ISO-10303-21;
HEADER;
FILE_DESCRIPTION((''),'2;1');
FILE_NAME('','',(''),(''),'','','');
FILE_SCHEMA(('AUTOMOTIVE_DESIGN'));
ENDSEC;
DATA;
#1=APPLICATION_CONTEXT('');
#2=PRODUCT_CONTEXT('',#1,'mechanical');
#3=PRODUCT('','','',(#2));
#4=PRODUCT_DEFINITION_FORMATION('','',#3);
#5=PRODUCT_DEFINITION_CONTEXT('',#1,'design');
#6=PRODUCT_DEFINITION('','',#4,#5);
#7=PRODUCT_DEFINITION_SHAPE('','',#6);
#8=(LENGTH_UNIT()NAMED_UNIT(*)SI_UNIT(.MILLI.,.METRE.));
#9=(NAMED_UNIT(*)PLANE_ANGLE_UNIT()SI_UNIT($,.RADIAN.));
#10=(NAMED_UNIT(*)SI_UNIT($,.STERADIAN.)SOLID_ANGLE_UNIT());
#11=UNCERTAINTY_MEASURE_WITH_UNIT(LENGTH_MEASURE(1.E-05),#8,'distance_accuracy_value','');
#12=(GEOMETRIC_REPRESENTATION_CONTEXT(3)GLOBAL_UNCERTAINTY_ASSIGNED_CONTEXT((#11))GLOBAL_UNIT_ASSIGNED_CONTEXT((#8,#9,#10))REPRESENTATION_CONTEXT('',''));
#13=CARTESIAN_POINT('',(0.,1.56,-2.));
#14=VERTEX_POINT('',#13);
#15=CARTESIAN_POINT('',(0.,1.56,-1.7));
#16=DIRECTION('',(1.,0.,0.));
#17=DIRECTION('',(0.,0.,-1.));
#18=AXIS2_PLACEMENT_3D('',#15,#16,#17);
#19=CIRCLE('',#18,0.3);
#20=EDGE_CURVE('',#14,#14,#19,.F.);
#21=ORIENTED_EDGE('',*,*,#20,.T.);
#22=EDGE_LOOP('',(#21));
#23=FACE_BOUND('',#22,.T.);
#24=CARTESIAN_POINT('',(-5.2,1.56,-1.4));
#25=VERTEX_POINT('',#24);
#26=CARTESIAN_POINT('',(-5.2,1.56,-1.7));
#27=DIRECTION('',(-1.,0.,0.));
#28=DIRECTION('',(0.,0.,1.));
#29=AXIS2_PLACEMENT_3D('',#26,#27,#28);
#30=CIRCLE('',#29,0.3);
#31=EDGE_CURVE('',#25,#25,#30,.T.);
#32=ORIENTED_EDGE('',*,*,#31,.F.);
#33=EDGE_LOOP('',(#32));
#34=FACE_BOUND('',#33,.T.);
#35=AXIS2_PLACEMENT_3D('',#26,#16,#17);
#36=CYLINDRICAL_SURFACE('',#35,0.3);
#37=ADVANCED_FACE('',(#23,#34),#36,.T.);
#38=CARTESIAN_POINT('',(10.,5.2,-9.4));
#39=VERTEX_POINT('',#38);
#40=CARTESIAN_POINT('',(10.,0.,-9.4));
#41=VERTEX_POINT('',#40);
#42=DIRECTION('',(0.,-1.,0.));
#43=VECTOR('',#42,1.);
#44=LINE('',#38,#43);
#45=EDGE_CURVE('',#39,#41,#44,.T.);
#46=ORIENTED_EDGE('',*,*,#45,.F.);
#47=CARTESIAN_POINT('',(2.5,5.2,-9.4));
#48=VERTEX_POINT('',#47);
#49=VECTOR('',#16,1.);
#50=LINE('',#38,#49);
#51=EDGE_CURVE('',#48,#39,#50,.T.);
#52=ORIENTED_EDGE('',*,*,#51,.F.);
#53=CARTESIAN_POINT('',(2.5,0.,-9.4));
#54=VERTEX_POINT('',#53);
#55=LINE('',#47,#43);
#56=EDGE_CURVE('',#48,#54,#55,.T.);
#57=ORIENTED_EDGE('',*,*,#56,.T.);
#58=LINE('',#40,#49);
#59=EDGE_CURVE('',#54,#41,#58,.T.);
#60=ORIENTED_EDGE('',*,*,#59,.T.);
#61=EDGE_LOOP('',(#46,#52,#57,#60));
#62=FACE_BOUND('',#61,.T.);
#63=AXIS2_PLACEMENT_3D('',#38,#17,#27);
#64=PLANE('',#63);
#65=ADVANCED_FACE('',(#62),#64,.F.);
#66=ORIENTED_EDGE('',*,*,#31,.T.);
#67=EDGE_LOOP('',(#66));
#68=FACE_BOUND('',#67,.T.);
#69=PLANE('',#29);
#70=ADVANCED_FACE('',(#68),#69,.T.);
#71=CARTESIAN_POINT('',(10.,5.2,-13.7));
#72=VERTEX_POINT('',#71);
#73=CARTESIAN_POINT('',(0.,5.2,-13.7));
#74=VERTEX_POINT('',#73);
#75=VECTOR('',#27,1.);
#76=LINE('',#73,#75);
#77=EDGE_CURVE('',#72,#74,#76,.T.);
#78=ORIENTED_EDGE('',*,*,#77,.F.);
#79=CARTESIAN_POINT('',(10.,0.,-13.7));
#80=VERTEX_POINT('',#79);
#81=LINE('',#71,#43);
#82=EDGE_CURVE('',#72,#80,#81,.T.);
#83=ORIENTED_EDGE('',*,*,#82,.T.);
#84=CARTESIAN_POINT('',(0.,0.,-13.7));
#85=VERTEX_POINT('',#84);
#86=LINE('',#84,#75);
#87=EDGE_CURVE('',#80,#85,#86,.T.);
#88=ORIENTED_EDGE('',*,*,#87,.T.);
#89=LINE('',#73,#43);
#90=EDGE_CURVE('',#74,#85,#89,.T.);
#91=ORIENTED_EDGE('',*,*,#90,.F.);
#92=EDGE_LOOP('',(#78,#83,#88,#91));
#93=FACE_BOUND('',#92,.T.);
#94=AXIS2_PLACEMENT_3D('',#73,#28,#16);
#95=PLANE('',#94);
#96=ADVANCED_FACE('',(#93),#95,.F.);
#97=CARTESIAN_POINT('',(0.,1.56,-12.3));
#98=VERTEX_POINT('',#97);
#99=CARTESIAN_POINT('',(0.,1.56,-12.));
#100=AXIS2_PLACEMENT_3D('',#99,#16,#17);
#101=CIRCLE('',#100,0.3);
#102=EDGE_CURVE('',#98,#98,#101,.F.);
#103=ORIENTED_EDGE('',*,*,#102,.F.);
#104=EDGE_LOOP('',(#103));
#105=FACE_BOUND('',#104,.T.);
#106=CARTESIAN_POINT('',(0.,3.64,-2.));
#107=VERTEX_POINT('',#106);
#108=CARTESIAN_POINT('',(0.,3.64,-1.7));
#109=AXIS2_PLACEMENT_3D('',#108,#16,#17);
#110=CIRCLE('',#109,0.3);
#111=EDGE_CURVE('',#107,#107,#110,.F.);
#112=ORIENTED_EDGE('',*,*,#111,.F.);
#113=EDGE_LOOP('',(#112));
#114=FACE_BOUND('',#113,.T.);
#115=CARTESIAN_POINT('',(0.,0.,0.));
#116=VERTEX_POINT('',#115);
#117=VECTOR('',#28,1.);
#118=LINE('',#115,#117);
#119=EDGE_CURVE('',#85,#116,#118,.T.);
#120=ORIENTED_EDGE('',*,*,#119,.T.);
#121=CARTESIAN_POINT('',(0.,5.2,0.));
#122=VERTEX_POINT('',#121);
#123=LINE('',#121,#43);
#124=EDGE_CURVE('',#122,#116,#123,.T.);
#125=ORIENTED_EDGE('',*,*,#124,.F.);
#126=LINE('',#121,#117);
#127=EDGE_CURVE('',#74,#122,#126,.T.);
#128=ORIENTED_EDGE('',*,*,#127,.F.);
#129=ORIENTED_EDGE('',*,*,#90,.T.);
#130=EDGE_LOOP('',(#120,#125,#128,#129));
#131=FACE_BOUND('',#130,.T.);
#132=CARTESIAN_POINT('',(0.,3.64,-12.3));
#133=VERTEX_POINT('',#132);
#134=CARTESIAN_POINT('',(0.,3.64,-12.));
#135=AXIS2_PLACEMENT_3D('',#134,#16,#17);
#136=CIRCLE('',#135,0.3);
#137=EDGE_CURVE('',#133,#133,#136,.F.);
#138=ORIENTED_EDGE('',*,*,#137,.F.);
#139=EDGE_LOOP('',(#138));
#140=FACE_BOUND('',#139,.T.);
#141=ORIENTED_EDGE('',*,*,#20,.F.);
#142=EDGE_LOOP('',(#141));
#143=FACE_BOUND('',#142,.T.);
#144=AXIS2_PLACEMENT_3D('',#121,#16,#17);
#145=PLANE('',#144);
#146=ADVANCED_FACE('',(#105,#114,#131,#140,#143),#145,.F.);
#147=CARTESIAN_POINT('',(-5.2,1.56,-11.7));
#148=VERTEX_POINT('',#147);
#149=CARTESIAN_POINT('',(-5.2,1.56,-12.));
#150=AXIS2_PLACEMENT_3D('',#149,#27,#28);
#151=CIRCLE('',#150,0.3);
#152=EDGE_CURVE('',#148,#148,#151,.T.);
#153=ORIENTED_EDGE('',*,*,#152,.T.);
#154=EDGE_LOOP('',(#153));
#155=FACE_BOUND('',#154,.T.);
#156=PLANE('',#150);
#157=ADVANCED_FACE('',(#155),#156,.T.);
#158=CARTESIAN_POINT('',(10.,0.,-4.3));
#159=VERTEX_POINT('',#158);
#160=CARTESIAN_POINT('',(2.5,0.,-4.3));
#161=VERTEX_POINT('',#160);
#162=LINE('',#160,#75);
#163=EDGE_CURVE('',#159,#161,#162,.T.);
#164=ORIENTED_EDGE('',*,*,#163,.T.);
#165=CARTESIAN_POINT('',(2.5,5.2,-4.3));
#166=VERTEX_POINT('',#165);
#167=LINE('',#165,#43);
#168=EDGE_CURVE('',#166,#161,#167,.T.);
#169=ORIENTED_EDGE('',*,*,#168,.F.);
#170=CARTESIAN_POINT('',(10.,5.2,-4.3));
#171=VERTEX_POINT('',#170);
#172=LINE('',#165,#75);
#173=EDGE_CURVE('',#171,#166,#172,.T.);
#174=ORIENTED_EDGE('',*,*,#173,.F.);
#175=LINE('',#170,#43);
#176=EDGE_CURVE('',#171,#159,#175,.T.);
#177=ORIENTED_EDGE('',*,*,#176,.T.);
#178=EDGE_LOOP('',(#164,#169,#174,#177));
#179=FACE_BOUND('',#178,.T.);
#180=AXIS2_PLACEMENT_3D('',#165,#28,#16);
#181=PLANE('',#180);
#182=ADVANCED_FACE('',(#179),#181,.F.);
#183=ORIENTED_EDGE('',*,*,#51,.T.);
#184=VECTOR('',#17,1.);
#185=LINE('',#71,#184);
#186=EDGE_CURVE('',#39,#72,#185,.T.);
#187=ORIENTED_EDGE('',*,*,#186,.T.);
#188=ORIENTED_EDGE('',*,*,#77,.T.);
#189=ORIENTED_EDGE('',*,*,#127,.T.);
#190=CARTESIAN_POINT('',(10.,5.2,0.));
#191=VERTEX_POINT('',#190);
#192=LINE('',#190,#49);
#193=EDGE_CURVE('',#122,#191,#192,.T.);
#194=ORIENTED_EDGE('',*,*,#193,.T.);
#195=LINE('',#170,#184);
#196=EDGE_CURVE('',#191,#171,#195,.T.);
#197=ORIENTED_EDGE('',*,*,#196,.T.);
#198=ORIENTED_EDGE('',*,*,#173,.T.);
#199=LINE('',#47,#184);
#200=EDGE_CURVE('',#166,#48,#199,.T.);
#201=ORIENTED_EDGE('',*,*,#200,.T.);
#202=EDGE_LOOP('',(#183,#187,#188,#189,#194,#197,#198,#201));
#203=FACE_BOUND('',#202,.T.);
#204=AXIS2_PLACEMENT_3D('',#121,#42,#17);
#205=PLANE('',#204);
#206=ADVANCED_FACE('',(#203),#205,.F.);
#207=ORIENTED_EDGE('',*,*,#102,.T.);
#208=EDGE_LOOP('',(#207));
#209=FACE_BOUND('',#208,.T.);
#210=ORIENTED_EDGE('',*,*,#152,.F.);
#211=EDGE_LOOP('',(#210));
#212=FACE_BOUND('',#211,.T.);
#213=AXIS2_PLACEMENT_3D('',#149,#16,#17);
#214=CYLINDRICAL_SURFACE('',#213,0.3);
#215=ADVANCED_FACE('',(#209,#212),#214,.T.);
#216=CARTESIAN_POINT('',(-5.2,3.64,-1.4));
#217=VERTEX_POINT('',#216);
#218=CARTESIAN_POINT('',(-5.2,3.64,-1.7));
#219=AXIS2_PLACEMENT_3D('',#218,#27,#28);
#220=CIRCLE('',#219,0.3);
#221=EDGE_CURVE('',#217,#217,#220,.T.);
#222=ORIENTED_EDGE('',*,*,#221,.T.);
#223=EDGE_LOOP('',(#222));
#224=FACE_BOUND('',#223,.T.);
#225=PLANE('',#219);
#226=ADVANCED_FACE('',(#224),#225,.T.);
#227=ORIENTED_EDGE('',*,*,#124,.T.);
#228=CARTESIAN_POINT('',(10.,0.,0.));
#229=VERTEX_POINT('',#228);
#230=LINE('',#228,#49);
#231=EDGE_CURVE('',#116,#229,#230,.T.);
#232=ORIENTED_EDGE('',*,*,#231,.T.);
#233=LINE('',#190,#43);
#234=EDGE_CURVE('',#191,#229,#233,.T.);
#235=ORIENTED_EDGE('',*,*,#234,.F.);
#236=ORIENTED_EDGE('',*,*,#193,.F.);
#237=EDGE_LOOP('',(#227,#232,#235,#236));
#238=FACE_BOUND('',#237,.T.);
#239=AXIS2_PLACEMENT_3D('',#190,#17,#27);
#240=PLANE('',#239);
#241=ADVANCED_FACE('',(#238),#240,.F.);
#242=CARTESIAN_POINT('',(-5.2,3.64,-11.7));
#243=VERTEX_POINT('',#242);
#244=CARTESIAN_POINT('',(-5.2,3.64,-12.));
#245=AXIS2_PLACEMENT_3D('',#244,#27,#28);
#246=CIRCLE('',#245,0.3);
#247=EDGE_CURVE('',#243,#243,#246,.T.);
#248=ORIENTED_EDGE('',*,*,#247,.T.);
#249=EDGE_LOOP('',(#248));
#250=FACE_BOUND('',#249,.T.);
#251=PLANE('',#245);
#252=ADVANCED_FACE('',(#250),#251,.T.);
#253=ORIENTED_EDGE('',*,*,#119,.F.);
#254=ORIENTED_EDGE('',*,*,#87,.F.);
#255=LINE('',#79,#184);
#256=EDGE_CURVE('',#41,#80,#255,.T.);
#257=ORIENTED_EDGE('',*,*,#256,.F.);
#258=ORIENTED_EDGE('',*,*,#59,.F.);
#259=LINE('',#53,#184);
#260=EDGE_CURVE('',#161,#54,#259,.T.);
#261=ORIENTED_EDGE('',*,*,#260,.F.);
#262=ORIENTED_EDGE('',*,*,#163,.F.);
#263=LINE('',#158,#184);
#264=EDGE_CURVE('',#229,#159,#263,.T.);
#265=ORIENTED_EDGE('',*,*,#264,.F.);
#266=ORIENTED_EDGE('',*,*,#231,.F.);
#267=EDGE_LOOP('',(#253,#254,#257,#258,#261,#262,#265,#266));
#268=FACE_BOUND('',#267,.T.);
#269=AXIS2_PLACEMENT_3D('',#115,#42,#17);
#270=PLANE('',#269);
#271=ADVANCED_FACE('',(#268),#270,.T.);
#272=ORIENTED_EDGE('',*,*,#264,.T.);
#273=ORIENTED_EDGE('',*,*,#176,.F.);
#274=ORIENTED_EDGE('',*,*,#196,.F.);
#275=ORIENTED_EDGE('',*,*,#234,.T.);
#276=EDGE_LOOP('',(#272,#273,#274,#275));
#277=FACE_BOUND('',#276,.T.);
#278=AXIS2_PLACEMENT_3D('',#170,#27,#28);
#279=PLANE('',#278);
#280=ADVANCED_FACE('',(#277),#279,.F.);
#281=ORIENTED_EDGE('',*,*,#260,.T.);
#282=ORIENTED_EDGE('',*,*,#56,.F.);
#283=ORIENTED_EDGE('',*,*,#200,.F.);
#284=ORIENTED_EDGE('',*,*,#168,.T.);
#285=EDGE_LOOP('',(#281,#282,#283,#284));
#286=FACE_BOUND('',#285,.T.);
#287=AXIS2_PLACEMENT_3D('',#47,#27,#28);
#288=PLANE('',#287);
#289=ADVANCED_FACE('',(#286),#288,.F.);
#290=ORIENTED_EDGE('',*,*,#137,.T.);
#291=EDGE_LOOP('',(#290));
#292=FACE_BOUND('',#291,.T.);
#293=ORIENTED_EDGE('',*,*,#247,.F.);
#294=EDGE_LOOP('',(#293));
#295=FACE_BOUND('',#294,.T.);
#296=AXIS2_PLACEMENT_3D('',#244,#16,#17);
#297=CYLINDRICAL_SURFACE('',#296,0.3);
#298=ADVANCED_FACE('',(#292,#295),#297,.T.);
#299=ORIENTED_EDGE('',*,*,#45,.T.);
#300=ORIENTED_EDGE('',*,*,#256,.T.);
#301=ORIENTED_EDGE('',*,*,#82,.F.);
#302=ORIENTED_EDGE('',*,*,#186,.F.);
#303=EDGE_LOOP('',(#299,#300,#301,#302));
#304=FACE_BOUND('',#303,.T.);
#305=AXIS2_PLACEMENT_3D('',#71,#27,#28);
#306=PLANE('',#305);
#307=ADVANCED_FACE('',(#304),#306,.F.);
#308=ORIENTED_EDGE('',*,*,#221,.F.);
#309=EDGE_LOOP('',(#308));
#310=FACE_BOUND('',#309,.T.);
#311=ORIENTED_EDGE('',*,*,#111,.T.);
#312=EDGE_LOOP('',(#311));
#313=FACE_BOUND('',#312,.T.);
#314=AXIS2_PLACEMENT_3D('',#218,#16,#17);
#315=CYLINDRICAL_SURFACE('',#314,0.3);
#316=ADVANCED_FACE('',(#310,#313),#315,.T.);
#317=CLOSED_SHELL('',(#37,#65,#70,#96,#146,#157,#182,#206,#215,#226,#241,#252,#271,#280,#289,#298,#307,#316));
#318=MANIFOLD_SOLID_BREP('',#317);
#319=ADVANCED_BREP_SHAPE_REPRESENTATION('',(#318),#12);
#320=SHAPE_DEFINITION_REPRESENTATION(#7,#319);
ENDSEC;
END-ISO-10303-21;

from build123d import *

# Parameters (mm, degrees)
BOSS_EXTRUDE1_DEPTH = 5.2
SKETCH2_R           = 0.3
BOSS_EXTRUDE2_DEPTH = 5.2


with BuildPart() as part:
    # Sketch1 → Boss-Extrude1 (new body)
    with BuildSketch(Plane(origin=(0, 0, 0), x_dir=(1, 0, 0), z_dir=(0, 1, 0))):
        Polygon((0, 0), (0, 13.7), (10, 13.7), (10, 9.4), (2.5, 9.4), (2.5, 4.3), (10, 4.3), (10, 0), align=None)
    extrude(amount=BOSS_EXTRUDE1_DEPTH)

    # Sketch2 → Boss-Extrude2 (add)
    with BuildSketch(Plane.ZY):
        with Locations(Location((-12, 3.64, 0), (0, 0, 180))):
            Circle(SKETCH2_R)
        with Locations(Location((-1.7, 3.64, 0), (0, 0, 180))):
            Circle(SKETCH2_R)
        with Locations(Location((-1.7, 1.56, 0), (0, 0, 180))):
            Circle(SKETCH2_R)
        with Locations(Location((-12, 1.56, 0), (0, 0, 180))):
            Circle(SKETCH2_R)
    extrude(amount=BOSS_EXTRUDE2_DEPTH)


solid = part.part
